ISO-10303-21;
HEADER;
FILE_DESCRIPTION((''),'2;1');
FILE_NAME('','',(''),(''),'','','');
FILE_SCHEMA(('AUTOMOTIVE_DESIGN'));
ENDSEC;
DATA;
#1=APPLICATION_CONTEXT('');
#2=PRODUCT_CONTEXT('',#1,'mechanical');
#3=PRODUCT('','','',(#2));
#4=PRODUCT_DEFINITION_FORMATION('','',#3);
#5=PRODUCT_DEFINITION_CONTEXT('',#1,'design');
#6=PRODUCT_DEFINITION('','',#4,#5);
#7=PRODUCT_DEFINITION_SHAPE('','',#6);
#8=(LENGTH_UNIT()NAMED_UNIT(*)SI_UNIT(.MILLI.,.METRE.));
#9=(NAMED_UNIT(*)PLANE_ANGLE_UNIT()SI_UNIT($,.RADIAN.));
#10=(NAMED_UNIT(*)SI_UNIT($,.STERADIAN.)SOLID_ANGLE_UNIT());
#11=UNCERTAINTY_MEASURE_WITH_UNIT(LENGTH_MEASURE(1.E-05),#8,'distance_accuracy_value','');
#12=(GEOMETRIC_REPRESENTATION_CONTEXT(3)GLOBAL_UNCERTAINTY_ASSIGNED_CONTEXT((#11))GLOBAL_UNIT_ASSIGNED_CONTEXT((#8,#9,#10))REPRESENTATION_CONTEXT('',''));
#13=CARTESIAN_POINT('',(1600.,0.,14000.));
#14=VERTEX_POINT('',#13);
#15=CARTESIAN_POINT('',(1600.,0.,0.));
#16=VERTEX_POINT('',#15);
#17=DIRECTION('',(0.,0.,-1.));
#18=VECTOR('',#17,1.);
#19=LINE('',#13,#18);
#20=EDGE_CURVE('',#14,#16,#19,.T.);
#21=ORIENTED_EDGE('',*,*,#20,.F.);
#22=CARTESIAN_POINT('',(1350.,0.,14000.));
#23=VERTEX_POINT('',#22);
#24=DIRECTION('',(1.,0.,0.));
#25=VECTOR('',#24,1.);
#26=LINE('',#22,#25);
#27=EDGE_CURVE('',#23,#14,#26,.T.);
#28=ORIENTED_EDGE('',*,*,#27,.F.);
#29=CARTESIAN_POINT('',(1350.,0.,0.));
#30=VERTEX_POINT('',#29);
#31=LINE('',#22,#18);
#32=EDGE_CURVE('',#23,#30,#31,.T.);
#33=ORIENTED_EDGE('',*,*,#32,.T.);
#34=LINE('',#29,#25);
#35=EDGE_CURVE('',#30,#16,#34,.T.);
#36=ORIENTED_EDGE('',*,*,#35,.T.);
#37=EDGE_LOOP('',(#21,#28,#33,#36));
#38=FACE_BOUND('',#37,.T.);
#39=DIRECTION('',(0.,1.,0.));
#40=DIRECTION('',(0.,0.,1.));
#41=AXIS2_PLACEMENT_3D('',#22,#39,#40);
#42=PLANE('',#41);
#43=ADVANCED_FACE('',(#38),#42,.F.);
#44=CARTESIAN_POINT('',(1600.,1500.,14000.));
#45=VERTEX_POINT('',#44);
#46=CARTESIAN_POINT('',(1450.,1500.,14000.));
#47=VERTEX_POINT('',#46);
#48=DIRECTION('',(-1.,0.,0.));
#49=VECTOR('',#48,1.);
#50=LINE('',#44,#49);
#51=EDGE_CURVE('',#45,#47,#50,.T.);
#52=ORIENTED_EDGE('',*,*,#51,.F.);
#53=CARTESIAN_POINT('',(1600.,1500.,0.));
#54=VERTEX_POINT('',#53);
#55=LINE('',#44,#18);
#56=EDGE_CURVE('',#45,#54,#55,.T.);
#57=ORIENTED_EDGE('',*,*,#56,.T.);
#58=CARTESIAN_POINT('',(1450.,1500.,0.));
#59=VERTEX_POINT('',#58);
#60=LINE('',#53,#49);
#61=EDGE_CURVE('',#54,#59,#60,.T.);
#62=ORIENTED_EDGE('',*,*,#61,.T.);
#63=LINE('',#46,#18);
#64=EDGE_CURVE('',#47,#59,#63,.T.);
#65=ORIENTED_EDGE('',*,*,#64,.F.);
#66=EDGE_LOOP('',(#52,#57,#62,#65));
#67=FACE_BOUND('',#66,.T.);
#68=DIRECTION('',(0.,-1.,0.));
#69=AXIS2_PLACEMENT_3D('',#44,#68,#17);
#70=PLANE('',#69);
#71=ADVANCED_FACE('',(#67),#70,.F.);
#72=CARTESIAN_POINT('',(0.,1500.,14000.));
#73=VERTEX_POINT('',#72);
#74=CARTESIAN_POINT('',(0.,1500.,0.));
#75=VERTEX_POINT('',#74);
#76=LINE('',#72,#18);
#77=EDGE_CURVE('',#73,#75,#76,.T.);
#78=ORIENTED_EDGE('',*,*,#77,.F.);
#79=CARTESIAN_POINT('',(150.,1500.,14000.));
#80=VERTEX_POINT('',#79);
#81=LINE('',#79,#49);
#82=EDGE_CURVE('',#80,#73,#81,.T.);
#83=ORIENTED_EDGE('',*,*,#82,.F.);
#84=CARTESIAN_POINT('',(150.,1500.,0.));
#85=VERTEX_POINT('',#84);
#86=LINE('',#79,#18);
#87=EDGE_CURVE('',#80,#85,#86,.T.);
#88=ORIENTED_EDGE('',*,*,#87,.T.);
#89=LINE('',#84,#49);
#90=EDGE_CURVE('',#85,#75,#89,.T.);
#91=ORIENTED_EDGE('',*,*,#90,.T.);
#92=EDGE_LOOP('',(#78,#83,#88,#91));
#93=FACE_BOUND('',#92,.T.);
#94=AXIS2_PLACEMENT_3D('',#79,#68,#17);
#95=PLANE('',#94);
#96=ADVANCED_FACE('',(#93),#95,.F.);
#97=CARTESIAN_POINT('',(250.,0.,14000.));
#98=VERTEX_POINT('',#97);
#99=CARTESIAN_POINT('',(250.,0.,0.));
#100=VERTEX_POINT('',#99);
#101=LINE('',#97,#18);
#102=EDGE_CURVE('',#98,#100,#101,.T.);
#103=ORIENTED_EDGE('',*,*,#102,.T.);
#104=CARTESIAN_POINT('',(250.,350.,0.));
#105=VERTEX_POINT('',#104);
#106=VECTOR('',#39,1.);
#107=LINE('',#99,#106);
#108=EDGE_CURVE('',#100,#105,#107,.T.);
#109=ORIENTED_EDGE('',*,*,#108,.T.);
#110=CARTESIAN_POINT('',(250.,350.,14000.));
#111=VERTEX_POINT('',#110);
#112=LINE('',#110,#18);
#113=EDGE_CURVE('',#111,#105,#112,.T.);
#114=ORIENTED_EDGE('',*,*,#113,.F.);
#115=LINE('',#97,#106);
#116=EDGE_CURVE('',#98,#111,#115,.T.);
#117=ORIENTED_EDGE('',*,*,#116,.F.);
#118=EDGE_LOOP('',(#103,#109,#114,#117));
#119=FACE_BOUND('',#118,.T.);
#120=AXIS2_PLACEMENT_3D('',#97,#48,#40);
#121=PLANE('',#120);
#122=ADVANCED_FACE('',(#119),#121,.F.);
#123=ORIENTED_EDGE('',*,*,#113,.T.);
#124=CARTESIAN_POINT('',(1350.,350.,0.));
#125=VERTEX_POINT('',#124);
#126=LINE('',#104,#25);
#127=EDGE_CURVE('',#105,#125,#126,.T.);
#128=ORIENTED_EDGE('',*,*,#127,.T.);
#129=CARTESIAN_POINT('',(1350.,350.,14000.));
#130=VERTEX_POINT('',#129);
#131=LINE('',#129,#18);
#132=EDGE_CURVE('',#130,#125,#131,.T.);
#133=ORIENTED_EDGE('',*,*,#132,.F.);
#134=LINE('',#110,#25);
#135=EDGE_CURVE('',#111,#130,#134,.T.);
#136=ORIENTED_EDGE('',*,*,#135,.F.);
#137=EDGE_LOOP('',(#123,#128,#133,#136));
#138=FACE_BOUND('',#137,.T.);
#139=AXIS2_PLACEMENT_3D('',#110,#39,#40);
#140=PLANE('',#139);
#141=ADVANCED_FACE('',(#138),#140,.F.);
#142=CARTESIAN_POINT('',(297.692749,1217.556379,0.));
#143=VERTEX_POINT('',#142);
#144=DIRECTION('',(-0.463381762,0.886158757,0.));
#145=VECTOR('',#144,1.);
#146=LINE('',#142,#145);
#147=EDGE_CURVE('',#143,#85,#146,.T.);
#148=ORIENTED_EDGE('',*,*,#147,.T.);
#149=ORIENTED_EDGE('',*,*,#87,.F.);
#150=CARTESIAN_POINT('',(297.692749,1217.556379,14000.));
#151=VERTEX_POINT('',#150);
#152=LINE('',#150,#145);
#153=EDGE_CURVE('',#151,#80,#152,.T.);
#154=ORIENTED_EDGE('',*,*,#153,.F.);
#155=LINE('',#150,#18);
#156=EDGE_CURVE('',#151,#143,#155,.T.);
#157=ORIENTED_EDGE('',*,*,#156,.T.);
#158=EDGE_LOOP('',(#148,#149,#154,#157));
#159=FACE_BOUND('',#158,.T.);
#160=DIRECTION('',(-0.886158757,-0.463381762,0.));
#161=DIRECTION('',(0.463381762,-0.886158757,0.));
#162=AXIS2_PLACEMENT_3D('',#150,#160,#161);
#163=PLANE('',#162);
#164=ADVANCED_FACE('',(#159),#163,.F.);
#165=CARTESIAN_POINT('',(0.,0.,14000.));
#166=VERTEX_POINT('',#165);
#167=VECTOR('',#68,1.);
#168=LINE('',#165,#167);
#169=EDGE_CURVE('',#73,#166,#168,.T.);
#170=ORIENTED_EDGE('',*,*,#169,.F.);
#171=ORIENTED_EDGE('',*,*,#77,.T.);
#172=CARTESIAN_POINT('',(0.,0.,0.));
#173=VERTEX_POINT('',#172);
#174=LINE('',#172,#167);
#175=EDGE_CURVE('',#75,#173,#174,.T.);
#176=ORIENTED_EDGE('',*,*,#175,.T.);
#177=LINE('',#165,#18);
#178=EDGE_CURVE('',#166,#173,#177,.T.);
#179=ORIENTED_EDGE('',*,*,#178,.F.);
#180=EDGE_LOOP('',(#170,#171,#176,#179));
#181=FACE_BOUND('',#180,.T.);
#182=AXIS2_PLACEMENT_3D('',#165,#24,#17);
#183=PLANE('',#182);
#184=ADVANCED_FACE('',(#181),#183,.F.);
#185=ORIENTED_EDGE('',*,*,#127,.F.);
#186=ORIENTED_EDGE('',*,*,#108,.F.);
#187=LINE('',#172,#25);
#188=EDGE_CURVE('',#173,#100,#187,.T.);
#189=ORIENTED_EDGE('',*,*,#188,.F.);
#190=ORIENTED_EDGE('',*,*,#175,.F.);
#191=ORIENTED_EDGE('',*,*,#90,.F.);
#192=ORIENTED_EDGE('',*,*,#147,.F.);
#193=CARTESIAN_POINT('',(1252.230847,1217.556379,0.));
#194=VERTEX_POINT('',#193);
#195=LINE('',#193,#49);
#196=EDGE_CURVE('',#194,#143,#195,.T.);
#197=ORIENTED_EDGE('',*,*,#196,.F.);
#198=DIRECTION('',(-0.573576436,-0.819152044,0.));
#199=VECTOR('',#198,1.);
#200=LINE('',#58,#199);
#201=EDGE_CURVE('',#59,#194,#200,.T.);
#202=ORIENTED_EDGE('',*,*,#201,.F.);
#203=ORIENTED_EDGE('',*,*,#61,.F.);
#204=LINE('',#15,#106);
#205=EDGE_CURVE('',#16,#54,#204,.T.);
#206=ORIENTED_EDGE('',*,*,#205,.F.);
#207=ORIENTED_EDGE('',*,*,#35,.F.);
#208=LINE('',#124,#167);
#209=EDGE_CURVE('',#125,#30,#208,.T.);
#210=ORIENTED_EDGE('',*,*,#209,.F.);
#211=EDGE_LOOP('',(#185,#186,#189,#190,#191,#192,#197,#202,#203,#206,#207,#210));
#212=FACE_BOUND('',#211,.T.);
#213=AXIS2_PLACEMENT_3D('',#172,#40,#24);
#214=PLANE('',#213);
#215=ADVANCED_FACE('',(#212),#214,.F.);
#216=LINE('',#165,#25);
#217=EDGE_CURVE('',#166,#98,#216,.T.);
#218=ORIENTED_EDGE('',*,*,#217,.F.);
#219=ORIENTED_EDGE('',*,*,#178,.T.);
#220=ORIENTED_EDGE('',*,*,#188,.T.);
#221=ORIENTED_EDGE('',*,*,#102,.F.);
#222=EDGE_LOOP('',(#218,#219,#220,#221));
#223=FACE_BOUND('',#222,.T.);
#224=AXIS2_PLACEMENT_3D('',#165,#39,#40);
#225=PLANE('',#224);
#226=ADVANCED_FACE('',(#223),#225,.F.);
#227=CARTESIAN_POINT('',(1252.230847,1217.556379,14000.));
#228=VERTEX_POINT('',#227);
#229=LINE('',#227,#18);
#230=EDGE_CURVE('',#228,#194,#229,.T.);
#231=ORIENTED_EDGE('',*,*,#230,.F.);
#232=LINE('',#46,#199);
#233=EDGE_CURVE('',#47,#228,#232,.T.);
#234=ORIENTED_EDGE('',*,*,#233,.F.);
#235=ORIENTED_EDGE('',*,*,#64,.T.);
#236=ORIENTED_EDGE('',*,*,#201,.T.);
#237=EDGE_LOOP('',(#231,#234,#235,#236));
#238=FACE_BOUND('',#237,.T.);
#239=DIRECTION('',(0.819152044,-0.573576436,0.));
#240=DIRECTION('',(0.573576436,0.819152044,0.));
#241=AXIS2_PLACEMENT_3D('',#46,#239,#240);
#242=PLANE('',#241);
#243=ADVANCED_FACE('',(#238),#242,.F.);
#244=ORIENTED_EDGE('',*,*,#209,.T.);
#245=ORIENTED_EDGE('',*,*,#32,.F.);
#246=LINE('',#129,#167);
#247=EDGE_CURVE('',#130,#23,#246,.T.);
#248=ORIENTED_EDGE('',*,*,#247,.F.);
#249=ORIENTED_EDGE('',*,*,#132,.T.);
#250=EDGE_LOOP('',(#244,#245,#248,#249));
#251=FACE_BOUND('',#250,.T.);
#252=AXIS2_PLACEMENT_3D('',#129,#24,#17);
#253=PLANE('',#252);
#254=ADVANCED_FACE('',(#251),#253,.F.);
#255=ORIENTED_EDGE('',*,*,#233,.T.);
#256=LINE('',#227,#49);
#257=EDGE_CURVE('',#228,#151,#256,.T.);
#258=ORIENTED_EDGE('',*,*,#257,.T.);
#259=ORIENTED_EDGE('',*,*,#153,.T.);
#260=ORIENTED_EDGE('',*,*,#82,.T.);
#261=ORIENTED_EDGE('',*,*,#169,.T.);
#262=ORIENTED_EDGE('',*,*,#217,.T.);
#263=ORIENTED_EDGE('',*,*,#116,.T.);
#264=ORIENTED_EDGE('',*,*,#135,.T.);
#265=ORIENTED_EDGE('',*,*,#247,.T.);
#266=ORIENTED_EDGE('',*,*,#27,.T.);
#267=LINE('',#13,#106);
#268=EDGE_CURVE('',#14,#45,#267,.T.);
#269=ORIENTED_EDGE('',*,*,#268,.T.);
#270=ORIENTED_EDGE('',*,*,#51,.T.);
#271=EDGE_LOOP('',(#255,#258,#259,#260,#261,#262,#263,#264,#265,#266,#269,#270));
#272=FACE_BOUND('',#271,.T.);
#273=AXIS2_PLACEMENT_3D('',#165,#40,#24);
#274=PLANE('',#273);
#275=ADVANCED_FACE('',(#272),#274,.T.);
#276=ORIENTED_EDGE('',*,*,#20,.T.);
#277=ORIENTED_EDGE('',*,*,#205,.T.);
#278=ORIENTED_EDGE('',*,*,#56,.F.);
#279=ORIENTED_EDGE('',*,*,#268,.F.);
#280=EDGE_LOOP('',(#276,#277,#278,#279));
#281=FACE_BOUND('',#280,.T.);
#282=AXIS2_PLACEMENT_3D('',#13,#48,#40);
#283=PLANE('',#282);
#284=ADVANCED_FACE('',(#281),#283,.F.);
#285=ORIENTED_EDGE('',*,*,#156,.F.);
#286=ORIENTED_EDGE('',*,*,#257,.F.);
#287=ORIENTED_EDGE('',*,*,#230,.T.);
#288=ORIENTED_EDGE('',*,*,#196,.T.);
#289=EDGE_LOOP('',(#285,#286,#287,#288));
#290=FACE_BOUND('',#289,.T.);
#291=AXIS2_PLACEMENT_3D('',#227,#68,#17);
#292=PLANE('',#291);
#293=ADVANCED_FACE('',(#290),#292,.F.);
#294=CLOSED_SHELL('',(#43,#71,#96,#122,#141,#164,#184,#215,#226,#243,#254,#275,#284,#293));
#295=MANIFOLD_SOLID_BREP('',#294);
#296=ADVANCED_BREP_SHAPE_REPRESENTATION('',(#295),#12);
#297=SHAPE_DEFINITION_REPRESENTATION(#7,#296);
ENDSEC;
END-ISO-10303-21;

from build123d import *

# Parameters (mm, degrees)
SALIENTE_EXTRUIR1_DEPTH = 14000


with BuildPart() as part:
    # Croquis1 → Saliente-Extruir1 (new body)
    with BuildSketch(Plane.XY):
        Polygon((0, 0), (0, 1500), (150, 1500), (297.692749099, 1217.556378814), (1252.230847326, 1217.556378814), (1450, 1500), (1600, 1500), (1600, 0), (1350, 0), (1350, 350), (250, 350), (250, 0), align=None)
    extrude(amount=SALIENTE_EXTRUIR1_DEPTH)


solid = part.part
